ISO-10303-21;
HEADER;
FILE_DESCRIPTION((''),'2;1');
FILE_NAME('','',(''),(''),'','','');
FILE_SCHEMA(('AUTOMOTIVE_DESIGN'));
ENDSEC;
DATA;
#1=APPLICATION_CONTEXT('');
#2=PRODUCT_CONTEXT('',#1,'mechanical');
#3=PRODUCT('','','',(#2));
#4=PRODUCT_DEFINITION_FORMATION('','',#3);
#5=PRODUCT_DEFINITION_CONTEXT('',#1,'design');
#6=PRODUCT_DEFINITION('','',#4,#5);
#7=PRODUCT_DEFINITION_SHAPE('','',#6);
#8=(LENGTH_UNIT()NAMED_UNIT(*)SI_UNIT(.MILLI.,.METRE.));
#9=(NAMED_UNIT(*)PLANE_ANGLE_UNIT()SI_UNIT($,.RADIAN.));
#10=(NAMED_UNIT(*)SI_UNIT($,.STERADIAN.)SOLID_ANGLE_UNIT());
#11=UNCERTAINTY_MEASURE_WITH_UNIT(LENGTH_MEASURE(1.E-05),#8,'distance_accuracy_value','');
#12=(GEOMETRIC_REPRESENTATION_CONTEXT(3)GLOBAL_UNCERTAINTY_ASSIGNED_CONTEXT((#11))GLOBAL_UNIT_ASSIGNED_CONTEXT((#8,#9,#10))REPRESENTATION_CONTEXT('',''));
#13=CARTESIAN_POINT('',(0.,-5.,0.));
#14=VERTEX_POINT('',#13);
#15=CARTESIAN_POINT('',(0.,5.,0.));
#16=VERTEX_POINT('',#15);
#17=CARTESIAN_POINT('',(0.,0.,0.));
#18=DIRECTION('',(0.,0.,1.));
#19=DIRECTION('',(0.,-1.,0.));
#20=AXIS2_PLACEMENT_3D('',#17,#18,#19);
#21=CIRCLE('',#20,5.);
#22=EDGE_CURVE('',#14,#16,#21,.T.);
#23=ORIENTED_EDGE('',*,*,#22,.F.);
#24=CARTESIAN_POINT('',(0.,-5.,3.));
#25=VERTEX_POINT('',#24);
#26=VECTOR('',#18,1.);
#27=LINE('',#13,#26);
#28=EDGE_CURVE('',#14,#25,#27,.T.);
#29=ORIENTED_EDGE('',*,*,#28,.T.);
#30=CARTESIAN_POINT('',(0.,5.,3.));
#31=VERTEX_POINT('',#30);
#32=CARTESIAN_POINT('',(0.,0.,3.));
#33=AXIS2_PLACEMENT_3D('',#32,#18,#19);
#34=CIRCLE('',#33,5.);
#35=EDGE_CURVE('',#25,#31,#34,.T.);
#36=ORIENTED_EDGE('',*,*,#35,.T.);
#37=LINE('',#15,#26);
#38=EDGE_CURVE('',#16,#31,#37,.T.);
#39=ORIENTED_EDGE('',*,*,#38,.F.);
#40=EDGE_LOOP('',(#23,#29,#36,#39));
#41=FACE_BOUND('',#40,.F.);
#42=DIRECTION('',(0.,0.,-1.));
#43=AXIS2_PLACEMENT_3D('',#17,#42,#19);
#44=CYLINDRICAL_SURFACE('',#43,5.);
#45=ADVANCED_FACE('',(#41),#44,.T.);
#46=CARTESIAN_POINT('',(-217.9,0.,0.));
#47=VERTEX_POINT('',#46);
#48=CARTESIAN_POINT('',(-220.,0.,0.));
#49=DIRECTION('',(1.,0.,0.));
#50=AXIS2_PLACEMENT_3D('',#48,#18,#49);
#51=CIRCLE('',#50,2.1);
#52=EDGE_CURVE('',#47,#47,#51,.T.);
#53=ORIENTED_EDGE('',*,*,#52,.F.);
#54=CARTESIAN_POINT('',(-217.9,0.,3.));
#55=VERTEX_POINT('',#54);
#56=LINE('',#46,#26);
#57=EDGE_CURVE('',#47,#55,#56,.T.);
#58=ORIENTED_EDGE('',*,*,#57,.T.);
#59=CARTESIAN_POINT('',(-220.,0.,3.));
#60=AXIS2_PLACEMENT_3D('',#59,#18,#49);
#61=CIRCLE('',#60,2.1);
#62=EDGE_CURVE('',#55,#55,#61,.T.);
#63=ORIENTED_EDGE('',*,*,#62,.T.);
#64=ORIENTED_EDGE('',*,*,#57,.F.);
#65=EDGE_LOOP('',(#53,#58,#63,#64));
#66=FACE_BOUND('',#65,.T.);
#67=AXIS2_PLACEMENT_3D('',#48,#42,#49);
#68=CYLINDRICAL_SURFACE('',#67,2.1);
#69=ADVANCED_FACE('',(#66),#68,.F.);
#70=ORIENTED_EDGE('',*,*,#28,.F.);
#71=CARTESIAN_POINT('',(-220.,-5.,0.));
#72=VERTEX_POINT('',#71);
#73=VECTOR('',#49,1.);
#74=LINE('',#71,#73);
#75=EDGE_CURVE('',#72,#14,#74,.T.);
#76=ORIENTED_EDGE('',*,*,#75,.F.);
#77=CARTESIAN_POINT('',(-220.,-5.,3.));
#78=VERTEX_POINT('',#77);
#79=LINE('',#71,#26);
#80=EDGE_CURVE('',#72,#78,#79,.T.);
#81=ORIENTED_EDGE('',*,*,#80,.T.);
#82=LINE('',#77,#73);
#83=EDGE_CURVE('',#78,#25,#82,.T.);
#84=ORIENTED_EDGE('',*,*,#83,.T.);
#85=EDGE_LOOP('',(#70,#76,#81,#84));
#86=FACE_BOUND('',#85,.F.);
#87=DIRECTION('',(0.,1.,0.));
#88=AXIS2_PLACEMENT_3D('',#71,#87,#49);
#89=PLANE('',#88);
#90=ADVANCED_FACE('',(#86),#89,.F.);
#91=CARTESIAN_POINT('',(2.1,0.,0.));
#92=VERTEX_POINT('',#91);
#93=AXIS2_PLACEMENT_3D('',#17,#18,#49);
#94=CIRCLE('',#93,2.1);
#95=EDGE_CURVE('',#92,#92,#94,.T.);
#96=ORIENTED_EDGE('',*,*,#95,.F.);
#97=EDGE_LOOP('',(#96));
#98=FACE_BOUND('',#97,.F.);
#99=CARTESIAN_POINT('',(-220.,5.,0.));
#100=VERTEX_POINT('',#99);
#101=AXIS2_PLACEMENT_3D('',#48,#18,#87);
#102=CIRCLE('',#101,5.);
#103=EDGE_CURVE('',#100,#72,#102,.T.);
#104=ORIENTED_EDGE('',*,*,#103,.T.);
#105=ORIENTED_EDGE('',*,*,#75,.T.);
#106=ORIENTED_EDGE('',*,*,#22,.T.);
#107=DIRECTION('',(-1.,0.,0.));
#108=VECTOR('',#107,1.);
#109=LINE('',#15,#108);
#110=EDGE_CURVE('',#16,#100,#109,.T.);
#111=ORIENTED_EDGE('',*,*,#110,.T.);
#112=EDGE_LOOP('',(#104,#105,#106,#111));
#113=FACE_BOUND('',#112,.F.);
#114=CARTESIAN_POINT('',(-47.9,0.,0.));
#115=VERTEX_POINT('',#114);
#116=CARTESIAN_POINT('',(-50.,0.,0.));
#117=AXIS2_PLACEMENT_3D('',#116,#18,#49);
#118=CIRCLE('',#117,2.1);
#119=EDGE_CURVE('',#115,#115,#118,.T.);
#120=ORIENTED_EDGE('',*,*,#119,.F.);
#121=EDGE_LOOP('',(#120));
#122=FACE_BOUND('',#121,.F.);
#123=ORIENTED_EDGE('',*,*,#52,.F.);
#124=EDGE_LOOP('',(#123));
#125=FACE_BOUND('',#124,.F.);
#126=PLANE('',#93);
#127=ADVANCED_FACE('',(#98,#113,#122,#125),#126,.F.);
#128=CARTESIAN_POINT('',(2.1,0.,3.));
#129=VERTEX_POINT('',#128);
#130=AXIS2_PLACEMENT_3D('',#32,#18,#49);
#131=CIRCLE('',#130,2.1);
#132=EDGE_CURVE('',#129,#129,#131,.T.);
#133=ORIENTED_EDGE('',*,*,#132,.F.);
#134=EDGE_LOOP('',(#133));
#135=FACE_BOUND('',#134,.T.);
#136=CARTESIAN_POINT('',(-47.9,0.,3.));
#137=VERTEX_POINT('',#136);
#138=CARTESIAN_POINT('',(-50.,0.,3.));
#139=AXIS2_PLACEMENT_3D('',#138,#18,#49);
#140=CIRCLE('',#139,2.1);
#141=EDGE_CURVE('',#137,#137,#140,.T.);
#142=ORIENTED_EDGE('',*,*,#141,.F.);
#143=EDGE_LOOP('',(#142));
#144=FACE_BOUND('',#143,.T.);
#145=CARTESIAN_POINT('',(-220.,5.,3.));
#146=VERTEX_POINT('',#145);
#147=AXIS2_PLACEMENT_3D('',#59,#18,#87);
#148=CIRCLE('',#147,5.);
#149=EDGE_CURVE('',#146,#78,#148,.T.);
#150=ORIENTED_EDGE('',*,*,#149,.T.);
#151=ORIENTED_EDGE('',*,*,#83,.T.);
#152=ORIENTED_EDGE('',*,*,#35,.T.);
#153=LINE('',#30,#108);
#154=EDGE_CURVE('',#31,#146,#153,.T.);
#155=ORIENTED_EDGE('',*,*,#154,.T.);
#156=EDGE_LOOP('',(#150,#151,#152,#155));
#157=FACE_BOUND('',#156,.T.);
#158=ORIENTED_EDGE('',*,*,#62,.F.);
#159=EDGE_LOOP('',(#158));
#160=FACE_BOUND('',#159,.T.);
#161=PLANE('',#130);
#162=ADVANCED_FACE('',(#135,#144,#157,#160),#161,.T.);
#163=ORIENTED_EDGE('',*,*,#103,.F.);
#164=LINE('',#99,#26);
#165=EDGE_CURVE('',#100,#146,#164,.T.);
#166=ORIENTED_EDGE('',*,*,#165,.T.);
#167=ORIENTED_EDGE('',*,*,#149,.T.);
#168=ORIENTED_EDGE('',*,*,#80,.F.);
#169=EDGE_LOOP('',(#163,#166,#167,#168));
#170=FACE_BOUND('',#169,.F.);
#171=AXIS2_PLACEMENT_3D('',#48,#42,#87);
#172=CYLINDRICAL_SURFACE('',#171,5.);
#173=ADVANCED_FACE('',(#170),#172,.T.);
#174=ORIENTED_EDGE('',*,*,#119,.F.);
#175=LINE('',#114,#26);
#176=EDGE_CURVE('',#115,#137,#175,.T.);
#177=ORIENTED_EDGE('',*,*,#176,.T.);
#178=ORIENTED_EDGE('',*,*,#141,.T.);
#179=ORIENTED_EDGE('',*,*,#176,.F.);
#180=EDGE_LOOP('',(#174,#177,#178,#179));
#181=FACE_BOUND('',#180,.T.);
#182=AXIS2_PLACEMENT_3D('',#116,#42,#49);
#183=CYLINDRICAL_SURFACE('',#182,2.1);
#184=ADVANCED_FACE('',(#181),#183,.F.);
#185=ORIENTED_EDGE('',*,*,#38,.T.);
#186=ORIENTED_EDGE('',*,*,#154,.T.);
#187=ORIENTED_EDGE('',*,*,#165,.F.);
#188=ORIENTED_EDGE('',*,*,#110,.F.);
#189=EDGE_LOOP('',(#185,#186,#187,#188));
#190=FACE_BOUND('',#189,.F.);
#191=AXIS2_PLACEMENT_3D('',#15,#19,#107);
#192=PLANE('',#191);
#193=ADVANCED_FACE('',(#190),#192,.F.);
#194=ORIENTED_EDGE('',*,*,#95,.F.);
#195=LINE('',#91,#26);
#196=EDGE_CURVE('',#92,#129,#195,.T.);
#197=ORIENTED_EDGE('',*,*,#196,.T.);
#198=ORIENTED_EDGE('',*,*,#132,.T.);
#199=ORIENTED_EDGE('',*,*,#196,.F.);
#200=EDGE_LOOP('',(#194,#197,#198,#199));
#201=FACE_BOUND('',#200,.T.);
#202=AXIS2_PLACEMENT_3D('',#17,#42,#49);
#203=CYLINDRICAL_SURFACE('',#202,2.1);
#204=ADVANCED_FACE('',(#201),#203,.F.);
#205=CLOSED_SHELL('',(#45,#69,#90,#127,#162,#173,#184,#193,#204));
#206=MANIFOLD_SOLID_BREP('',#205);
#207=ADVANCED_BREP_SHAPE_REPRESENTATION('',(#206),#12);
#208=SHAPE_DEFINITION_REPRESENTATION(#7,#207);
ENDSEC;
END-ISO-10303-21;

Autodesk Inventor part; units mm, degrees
ref_plane "YZ Plane" through (0, 0, 0) normal (1, 0, 0) x (0, 1, 0)
ref_plane "XZ Plane" through (0, 0, 0) normal (0, 1, 0) x (-1, 0, 0)
ref_plane "XY Plane" through (0, 0, 0) normal (0, 0, 1) x (1, 0, 0)
sketch "草圖1" plane through (0, 0, 0) normal (0, 0, 1) x (1, 0, 0)
  line L0 (-220, 0) -> (0, 0) construction
  line L1 (-220, -5) -> (0, -5)
  line L2 (0, 5) -> (-220, 5)
  arc A0 (-220, 5) -> (-220, -5) centre (-220, 0) ccw
  arc A1 (0, -5) -> (0, 5) centre (0, 0) ccw
  circle A2 centre (-220, 0) radius 2.1
  circle A3 centre (0, 0) radius 2.1
  circle A4 centre (-50, 0) radius 2.1
  point P0 (-110, 0)
  dimension "d0" = 220
  dimension "d1" = 10
  dimension "d2" = 4.2
  dimension "d3" = 4.2
  dimension "d23" = 170
extrude "擠出1" add sketch "草圖1" along normal blind 3
properties part number "adjustable_130"
